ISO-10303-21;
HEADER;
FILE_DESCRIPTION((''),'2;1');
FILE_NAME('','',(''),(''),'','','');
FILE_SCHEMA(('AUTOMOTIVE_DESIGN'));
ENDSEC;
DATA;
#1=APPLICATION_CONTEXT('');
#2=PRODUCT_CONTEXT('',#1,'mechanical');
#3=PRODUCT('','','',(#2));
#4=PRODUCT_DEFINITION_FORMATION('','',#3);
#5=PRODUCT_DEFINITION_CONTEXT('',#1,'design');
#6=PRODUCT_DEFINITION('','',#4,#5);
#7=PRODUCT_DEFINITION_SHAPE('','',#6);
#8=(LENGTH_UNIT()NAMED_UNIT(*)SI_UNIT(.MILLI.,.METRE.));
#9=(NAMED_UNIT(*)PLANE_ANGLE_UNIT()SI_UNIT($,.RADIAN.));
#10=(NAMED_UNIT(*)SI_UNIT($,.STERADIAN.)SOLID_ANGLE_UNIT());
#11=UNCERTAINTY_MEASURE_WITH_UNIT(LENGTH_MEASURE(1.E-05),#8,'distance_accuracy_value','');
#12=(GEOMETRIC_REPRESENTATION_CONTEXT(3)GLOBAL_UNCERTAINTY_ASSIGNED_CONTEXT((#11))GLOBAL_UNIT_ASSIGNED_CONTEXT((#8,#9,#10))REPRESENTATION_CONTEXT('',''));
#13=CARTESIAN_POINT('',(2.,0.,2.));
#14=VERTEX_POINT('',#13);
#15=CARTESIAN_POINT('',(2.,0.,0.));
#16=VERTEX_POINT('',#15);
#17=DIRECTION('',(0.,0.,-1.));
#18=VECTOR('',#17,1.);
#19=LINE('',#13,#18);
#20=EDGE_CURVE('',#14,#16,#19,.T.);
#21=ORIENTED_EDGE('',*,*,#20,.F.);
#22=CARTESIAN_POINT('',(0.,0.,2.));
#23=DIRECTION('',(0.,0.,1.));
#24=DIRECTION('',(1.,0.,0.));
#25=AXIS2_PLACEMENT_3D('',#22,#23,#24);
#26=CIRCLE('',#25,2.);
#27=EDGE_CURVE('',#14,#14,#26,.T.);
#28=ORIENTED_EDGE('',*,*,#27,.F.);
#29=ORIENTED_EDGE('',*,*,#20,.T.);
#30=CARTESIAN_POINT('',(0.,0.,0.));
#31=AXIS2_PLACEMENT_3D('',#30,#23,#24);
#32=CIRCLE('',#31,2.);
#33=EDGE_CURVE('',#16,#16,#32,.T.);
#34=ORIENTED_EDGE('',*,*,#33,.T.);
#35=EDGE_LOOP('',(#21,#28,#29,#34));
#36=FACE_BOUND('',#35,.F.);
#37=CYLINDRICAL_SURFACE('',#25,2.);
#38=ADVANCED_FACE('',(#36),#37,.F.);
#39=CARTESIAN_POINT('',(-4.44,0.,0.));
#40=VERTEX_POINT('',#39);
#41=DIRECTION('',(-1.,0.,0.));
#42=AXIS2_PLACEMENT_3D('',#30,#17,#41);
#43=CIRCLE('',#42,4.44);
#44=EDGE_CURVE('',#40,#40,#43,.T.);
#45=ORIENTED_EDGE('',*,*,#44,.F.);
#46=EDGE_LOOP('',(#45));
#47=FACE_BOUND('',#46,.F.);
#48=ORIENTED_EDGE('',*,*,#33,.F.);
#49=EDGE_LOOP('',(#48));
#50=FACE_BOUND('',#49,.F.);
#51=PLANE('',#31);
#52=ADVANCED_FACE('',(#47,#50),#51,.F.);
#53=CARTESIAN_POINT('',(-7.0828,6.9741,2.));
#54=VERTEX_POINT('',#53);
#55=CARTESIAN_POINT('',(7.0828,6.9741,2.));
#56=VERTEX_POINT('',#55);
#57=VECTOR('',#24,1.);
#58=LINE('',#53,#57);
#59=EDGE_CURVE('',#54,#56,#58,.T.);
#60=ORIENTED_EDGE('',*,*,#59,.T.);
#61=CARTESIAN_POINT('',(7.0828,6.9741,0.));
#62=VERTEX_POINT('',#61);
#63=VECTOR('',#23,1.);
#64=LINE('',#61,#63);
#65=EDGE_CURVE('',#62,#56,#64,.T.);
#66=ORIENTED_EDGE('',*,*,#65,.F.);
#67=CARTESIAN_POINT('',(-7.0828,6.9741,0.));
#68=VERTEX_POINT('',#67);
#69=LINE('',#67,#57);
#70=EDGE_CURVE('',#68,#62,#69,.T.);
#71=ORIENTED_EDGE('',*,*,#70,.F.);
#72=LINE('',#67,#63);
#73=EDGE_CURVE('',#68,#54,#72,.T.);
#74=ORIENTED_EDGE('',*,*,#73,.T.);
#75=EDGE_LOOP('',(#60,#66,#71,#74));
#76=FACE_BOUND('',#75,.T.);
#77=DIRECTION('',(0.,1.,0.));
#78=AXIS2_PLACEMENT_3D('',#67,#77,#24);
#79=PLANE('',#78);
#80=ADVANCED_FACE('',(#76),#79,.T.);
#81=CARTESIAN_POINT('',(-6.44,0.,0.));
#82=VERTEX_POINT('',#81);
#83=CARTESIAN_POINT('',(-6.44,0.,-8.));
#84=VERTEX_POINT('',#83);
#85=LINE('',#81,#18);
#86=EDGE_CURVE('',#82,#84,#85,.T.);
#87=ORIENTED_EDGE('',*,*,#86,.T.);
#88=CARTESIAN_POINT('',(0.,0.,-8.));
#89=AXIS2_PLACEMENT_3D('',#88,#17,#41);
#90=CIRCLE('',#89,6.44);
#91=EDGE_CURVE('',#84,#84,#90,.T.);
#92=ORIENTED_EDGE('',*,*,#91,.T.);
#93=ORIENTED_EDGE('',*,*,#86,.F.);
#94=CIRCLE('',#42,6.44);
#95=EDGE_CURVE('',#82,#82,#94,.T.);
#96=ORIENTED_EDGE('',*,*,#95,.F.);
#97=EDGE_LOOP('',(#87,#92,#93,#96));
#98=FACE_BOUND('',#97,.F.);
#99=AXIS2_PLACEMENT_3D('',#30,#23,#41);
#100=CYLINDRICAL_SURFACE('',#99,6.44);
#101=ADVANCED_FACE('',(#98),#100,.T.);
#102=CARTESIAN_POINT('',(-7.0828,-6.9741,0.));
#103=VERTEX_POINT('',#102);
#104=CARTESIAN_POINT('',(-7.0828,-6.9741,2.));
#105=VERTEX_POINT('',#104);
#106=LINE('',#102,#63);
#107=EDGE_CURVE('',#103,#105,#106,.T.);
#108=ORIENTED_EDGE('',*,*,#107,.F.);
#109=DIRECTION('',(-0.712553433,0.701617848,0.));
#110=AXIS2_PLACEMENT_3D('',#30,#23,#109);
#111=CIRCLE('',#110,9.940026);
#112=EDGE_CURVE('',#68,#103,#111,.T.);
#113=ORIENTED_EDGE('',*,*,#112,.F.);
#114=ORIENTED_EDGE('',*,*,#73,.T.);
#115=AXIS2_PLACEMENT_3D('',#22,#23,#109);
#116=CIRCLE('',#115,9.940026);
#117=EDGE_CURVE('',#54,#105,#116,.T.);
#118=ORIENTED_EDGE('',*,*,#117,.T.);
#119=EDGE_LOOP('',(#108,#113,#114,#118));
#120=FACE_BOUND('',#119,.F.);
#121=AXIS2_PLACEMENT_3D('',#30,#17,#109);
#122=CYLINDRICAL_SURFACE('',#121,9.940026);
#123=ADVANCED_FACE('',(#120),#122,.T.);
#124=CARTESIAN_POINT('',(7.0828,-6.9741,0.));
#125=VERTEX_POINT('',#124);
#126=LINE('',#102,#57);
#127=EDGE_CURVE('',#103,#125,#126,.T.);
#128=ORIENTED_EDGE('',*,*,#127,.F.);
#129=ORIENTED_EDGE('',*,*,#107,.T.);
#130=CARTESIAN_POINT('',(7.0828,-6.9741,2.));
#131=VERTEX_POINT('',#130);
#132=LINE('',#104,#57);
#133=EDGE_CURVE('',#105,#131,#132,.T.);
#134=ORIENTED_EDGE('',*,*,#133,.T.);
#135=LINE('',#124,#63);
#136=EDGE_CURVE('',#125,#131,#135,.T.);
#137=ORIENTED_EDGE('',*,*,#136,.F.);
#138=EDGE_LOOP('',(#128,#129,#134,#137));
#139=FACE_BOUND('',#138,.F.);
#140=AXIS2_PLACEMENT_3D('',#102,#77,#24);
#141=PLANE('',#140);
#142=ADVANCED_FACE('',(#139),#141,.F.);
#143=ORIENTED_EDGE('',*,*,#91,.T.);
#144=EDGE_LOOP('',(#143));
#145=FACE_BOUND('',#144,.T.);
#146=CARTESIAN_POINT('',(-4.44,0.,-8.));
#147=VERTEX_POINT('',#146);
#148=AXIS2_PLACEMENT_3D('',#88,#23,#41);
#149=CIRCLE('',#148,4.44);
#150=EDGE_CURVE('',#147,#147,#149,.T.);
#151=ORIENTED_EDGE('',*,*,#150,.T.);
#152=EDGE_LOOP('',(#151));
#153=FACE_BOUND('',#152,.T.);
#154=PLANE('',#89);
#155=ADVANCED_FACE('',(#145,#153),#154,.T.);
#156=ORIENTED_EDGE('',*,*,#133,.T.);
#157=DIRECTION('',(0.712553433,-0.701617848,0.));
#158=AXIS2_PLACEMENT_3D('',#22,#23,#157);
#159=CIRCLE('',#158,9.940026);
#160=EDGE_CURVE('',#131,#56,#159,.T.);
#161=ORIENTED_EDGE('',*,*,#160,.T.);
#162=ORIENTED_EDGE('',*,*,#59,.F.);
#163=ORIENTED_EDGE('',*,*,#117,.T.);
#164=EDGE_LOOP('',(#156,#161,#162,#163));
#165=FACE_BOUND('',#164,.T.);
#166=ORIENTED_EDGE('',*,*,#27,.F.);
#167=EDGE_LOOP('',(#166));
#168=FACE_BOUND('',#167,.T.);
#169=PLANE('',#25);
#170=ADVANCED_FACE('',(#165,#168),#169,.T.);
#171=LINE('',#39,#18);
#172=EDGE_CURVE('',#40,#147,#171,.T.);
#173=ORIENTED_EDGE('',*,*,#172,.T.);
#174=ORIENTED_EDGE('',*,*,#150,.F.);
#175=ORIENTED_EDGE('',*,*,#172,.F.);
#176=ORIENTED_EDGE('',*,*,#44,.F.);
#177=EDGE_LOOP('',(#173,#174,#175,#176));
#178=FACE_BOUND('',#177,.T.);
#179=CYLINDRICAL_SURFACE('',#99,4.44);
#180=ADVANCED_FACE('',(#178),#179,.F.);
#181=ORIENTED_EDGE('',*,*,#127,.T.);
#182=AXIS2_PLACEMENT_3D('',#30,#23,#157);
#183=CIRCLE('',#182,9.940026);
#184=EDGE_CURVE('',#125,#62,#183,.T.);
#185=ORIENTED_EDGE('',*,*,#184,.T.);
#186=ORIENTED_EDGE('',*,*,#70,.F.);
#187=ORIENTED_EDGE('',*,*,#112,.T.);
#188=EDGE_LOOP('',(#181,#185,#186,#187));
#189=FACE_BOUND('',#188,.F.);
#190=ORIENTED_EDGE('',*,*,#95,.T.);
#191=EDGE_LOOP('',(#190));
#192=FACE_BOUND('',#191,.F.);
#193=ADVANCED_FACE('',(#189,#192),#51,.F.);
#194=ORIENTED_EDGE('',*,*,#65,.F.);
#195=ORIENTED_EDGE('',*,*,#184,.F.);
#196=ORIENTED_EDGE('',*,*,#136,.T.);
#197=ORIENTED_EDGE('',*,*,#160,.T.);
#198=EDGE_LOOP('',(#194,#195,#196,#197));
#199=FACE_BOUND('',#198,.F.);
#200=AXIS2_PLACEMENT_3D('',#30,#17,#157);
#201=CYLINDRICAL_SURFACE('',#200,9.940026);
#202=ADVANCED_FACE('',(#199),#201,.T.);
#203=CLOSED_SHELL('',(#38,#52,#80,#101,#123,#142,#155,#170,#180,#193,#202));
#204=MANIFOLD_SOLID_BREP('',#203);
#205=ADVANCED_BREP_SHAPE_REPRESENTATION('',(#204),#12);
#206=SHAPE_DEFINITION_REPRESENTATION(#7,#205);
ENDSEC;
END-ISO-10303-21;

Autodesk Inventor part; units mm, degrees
ref_plane "YZ Plane" through (0, 0, 0) normal (1, 0, 0) x (0, 1, 0)
ref_plane "XZ Plane" through (0, 0, 0) normal (0, 1, 0) x (-1, 0, 0)
ref_plane "XY Plane" through (0, 0, 0) normal (0, 0, 1) x (1, 0, 0)
ref_plane "Work Plane1" through (0, 0, 0) normal (0, 0, 1) x (1, 0, 0)
sketch "Sketch1" plane through (0, 0, 0) normal (0, 0, 1) x (1, 0, 0)
  arc A0 (-11, 8.1244) -> (-11, -8.1244) centre (0, 0) ccw construction
  line L0 (-11, -8.1244) -> (-11, -24.74) construction
  line L1 (-11, -24.74) -> (11, -24.74) construction
  line L2 (11, -24.74) -> (11, -8.1244) construction
  arc A1 (11, -8.1244) -> (11, 8.1244) centre (0, 0) ccw construction
  line L3 (11, 24.74) -> (11, 8.1244) construction
  line L4 (-11, 24.74) -> (11, 24.74) construction
  line L5 (-11, 8.1244) -> (-11, 24.74) construction
  line L6 (-7.0828, 6.9741) -> (7.0828, 6.9741)
  line L7 (-7.0828, -6.9741) -> (7.0828, -6.9741)
  arc A2 (-7.0828, 6.9741) -> (-7.0828, -6.9741) centre (0, 0) ccw
  arc A3 (7.0828, -6.9741) -> (7.0828, 6.9741) centre (0, 0) ccw
  arc A4 (-3.5454, 3.44) -> (-3.5454, -3.44) centre (0, 0) ccw projected
  line L8 (-3.5454, 3.44) -> (-1.1656, 3.44) projected
  line L9 (-1.1656, 3.44) -> (-1.1656, 4.44) projected
  line L10 (-1.1656, 4.44) -> (-2.5, 4.44) projected
  line L11 (-2.5, 4.44) -> (-2.5, 5.44) projected
  line L12 (-2.5, 5.44) -> (2.5, 5.44) projected
  line L13 (2.5, 5.44) -> (2.5, 4.44) projected
  line L14 (2.5, 4.44) -> (1.1656, 4.44) projected
  line L15 (1.1656, 4.44) -> (1.1656, 3.44) projected
  line L16 (1.1656, 3.44) -> (3.5454, 3.44) projected
  arc A5 (3.5454, -3.44) -> (3.5454, 3.44) centre (0, 0) ccw projected
  line L17 (1.1656, -3.44) -> (3.5454, -3.44) projected
  line L18 (1.1656, -4.44) -> (1.1656, -3.44) projected
  line L19 (1.1656, -4.44) -> (2.5, -4.44) projected
  line L20 (2.5, -4.44) -> (2.5, -5.44) projected
  line L21 (2.5, -5.44) -> (-2.5, -5.44) projected
  line L22 (-2.5, -5.44) -> (-2.5, -4.44) projected
  line L23 (-1.1656, -4.44) -> (-2.5, -4.44) projected
  line L24 (-1.1656, -3.44) -> (-1.1656, -4.44) projected
  line L25 (-3.5454, -3.44) -> (-1.1656, -3.44) projected
  point P0 (0, 0)
extrude "Extrusion1" add sketch "Sketch1" along normal blind 2 contours L6 A3 L7 A2 | L8 L9 L10 L11 L12 L13 L14 L15 L16 A5 L17 L18 L19 L20 L21 L22 L23 L24 L25 A4
sketch "Sketch2" plane through (0, 0, 0) normal (0, 0, -1) x (-1, 0, 0)
  arc A0 (11, -8.1244) -> (11, 8.1244) centre (0, 0) ccw construction
  line L0 (11, -8.1244) -> (11, -24.74) construction
  line L1 (11, -24.74) -> (-11, -24.74) construction
  line L2 (-11, -24.74) -> (-11, -8.1244) construction
  arc A1 (-11, 8.1244) -> (-11, -8.1244) centre (0, 0) ccw construction
  line L3 (-11, 24.74) -> (-11, 8.1244) construction
  line L4 (11, 24.74) -> (-11, 24.74) construction
  line L5 (11, 8.1244) -> (11, 24.74) construction
  circle A2 centre (0, 0) radius 6.44
  circle A3 centre (0, 0) radius 4.44
  arc A4 (3.5454, -3.44) -> (3.5454, 3.44) centre (0, 0) ccw projected
  line L6 (3.5454, 3.44) -> (1.1656, 3.44) projected
  line L7 (1.1656, 3.44) -> (1.1656, 4.44) projected
  line L8 (1.1656, 4.44) -> (2.5, 4.44) projected
  line L9 (2.5, 4.44) -> (2.5, 5.44) projected
  line L10 (2.5, 5.44) -> (-2.5, 5.44) projected
  line L11 (-2.5, 5.44) -> (-2.5, 4.44) projected
  line L12 (-2.5, 4.44) -> (-1.1656, 4.44) projected
  line L13 (-1.1656, 4.44) -> (-1.1656, 3.44) projected
  line L14 (-1.1656, 3.44) -> (-3.5454, 3.44) projected
  arc A5 (-3.5454, 3.44) -> (-3.5454, -3.44) centre (0, 0) ccw projected
  line L15 (-1.1656, -3.44) -> (-3.5454, -3.44) projected
  line L16 (-1.1656, -4.44) -> (-1.1656, -3.44) projected
  line L17 (-1.1656, -4.44) -> (-2.5, -4.44) projected
  line L18 (-2.5, -4.44) -> (-2.5, -5.44) projected
  line L19 (-2.5, -5.44) -> (2.5, -5.44) projected
  line L20 (2.5, -5.44) -> (2.5, -4.44) projected
  line L21 (1.1656, -4.44) -> (2.5, -4.44) projected
  line L22 (1.1656, -3.44) -> (1.1656, -4.44) projected
  line L23 (3.5454, -3.44) -> (1.1656, -3.44) projected
  dimension "d6" = 2
extrude "Extrusion2" add sketch "Sketch2" along normal blind 8 contours A2 | A3 L6 A4 L23 | A3 L13 L12 L11 L10 L9 L8 L7 | L22 L21 L20 L19 L18 L17 L16 A3 | A3 L15 A5 L14
sketch "Sketch3" plane through (0, 0, 2) normal (0, 0, 1) x (1, 0, 0)
  arc A0 (7.0828, -6.9741) -> (7.0828, 6.9741) centre (0, 0) ccw projected
  circle A1 centre (0, 0) radius 2
extrude "Extrusion3" cut sketch "Sketch3" against normal through all
properties part number "ECoG_holder_cap"
